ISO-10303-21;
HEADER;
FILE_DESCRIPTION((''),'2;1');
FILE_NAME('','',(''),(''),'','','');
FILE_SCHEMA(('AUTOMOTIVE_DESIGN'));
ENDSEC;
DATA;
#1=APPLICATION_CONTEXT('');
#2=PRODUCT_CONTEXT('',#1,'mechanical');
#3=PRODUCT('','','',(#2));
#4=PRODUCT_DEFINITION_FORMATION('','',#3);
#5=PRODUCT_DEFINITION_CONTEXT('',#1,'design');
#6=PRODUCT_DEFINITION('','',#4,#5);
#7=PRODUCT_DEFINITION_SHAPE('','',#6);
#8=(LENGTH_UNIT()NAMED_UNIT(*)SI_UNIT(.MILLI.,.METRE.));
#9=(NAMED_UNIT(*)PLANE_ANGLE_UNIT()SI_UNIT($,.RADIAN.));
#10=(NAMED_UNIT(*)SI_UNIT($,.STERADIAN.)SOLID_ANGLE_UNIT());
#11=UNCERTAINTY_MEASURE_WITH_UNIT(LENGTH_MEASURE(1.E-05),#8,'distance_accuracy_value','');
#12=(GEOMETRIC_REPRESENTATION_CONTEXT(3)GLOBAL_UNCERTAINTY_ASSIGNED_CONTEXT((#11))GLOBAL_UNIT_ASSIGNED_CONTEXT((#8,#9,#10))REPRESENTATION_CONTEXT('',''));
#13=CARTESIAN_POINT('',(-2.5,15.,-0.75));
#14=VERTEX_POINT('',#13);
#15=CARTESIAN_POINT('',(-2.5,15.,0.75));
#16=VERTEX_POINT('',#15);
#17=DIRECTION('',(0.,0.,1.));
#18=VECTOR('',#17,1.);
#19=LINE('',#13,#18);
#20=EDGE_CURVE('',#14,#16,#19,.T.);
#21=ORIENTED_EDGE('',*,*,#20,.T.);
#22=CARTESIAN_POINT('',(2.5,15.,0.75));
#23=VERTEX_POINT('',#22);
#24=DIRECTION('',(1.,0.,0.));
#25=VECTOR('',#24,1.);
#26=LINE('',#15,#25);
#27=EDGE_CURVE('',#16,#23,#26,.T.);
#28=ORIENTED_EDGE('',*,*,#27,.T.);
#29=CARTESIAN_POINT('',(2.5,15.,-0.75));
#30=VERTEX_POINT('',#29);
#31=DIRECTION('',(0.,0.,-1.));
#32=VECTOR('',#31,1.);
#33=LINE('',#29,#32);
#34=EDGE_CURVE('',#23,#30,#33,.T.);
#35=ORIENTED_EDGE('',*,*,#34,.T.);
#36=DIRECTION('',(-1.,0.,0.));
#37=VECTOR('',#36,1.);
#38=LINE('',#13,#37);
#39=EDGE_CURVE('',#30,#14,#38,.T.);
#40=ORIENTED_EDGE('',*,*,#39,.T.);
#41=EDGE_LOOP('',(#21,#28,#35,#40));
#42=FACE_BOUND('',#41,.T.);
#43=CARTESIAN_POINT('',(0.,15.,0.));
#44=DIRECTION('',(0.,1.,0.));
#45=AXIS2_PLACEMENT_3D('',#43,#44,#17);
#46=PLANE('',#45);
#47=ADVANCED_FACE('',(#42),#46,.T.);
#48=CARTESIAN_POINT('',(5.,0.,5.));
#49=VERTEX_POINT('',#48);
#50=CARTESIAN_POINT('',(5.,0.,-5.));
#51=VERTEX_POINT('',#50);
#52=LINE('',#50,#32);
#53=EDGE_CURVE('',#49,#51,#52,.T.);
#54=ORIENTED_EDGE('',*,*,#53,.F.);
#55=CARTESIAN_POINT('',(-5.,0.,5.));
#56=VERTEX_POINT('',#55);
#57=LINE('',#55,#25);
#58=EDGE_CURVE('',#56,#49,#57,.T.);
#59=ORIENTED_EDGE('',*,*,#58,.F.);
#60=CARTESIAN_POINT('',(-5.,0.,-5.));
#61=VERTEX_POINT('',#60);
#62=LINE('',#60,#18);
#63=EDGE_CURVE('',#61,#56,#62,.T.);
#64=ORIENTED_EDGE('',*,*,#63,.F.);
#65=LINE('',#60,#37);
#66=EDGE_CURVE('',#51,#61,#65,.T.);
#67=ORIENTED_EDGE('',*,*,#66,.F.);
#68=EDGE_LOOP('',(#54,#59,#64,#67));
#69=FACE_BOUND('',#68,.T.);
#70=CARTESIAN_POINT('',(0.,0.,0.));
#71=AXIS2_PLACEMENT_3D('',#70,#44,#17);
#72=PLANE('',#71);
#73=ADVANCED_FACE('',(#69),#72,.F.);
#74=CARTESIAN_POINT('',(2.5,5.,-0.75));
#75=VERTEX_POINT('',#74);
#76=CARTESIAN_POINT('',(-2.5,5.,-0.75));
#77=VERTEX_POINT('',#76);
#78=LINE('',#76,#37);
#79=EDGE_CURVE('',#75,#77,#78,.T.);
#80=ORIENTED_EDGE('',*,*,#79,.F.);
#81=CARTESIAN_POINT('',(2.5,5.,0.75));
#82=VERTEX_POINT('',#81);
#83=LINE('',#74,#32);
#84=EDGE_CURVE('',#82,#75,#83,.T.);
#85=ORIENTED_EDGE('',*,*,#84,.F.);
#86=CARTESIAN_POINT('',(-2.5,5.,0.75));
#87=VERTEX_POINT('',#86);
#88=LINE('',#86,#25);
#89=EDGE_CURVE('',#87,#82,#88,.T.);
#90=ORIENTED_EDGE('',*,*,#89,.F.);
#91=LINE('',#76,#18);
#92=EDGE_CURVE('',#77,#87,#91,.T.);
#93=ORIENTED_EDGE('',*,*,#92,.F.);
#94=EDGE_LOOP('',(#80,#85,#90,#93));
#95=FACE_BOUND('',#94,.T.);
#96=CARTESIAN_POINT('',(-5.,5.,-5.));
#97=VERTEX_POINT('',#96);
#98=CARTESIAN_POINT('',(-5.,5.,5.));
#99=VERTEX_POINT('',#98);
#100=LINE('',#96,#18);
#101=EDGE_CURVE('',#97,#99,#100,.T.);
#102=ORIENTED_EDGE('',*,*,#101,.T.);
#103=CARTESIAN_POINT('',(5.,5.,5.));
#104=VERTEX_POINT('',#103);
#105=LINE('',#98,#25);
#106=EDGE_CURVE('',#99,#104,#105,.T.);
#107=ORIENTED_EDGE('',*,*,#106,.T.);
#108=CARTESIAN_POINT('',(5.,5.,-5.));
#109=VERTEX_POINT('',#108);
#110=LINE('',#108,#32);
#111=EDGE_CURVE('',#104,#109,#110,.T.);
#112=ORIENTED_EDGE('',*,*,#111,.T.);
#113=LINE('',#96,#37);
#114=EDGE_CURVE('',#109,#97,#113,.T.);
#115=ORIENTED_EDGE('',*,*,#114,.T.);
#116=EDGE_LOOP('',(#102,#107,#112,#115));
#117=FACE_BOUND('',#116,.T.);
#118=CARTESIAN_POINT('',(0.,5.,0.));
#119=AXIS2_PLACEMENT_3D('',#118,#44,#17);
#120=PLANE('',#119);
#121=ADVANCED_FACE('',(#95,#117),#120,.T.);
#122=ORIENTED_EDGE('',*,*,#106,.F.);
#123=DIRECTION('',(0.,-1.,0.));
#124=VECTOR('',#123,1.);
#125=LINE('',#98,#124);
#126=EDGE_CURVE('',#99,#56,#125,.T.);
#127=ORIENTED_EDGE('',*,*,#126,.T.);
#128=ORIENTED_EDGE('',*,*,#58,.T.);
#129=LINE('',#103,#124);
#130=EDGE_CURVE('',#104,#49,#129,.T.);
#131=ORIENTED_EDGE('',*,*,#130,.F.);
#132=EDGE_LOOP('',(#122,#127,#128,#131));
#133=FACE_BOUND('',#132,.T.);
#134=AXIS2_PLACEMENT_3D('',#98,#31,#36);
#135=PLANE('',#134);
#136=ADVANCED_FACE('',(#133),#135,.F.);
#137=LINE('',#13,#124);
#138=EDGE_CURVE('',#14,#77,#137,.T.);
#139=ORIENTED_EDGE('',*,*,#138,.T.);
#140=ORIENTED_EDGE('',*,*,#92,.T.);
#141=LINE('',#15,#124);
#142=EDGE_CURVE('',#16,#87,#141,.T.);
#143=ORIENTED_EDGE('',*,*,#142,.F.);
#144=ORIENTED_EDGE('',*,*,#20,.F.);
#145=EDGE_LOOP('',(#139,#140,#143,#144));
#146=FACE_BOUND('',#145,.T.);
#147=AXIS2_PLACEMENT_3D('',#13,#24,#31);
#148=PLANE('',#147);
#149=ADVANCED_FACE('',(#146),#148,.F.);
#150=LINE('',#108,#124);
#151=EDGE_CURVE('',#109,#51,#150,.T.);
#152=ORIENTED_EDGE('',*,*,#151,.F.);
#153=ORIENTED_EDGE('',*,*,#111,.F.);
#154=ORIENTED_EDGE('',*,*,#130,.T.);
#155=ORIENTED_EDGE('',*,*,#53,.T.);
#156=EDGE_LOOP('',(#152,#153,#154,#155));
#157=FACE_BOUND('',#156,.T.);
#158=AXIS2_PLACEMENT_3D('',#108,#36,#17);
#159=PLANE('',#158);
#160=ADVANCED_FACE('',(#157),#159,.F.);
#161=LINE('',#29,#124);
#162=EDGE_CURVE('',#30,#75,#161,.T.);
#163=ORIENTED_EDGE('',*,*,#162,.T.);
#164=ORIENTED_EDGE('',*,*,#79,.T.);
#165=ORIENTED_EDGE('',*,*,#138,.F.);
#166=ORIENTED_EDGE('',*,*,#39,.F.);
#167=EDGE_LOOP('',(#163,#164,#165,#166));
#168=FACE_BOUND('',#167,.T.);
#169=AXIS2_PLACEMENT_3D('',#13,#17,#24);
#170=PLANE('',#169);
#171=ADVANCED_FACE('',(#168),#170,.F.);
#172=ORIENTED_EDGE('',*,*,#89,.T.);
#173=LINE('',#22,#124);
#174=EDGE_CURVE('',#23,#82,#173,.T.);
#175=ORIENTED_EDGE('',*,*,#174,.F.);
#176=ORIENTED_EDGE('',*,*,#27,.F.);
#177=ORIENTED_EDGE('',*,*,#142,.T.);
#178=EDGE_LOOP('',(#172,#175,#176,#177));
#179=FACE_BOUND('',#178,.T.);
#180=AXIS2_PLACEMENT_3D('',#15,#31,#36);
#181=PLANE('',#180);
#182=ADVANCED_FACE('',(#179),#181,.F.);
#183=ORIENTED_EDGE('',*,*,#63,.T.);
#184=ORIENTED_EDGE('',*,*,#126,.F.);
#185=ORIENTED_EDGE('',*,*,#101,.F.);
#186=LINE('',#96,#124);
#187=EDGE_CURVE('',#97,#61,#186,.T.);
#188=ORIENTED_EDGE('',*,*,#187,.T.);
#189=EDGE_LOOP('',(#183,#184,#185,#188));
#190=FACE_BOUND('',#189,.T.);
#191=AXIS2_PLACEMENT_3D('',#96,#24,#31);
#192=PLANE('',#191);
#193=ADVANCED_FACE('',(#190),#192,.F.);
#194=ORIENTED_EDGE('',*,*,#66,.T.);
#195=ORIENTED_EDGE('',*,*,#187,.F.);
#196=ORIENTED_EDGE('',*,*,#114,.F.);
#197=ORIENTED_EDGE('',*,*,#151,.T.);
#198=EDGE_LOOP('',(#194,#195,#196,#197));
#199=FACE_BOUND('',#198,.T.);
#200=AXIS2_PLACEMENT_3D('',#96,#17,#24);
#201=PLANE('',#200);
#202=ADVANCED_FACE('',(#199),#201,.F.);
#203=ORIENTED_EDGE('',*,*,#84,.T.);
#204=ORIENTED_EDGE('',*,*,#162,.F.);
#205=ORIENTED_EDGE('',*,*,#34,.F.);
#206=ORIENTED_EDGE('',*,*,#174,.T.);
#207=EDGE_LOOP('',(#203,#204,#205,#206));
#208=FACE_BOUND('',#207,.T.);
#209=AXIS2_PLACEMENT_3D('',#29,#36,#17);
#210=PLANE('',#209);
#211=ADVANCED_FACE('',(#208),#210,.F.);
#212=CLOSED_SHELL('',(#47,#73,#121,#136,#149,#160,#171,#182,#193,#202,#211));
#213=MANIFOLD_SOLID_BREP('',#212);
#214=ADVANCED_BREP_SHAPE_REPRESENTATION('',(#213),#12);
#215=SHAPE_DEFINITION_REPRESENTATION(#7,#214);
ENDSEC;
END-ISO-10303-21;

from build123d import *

# Parameters (mm, degrees)
SKETCH_1_W      = 10
SKETCH_1_H      = 10
EXTRUDE_1_DEPTH = 5
SKETCH_2_W      = 5
SKETCH_2_H      = 1.5
EXTRUDE_2_DEPTH = 10


with BuildPart() as part:
    # 草图1 → 凸台-拉伸1 (new body)
    with BuildSketch(Plane(origin=(0, 0, 0), x_dir=(1, 0, 0), z_dir=(0, 1, 0))):
        Rectangle(SKETCH_1_W, SKETCH_1_H)
    extrude(amount=EXTRUDE_1_DEPTH)

    # 草图2 → 凸台-拉伸2 (add)
    with BuildSketch(Plane(origin=(0, 5, 0), x_dir=(1, 0, 0), z_dir=(0, 1, 0))):
        Rectangle(SKETCH_2_W, SKETCH_2_H)
    extrude(amount=EXTRUDE_2_DEPTH)


solid = part.part
